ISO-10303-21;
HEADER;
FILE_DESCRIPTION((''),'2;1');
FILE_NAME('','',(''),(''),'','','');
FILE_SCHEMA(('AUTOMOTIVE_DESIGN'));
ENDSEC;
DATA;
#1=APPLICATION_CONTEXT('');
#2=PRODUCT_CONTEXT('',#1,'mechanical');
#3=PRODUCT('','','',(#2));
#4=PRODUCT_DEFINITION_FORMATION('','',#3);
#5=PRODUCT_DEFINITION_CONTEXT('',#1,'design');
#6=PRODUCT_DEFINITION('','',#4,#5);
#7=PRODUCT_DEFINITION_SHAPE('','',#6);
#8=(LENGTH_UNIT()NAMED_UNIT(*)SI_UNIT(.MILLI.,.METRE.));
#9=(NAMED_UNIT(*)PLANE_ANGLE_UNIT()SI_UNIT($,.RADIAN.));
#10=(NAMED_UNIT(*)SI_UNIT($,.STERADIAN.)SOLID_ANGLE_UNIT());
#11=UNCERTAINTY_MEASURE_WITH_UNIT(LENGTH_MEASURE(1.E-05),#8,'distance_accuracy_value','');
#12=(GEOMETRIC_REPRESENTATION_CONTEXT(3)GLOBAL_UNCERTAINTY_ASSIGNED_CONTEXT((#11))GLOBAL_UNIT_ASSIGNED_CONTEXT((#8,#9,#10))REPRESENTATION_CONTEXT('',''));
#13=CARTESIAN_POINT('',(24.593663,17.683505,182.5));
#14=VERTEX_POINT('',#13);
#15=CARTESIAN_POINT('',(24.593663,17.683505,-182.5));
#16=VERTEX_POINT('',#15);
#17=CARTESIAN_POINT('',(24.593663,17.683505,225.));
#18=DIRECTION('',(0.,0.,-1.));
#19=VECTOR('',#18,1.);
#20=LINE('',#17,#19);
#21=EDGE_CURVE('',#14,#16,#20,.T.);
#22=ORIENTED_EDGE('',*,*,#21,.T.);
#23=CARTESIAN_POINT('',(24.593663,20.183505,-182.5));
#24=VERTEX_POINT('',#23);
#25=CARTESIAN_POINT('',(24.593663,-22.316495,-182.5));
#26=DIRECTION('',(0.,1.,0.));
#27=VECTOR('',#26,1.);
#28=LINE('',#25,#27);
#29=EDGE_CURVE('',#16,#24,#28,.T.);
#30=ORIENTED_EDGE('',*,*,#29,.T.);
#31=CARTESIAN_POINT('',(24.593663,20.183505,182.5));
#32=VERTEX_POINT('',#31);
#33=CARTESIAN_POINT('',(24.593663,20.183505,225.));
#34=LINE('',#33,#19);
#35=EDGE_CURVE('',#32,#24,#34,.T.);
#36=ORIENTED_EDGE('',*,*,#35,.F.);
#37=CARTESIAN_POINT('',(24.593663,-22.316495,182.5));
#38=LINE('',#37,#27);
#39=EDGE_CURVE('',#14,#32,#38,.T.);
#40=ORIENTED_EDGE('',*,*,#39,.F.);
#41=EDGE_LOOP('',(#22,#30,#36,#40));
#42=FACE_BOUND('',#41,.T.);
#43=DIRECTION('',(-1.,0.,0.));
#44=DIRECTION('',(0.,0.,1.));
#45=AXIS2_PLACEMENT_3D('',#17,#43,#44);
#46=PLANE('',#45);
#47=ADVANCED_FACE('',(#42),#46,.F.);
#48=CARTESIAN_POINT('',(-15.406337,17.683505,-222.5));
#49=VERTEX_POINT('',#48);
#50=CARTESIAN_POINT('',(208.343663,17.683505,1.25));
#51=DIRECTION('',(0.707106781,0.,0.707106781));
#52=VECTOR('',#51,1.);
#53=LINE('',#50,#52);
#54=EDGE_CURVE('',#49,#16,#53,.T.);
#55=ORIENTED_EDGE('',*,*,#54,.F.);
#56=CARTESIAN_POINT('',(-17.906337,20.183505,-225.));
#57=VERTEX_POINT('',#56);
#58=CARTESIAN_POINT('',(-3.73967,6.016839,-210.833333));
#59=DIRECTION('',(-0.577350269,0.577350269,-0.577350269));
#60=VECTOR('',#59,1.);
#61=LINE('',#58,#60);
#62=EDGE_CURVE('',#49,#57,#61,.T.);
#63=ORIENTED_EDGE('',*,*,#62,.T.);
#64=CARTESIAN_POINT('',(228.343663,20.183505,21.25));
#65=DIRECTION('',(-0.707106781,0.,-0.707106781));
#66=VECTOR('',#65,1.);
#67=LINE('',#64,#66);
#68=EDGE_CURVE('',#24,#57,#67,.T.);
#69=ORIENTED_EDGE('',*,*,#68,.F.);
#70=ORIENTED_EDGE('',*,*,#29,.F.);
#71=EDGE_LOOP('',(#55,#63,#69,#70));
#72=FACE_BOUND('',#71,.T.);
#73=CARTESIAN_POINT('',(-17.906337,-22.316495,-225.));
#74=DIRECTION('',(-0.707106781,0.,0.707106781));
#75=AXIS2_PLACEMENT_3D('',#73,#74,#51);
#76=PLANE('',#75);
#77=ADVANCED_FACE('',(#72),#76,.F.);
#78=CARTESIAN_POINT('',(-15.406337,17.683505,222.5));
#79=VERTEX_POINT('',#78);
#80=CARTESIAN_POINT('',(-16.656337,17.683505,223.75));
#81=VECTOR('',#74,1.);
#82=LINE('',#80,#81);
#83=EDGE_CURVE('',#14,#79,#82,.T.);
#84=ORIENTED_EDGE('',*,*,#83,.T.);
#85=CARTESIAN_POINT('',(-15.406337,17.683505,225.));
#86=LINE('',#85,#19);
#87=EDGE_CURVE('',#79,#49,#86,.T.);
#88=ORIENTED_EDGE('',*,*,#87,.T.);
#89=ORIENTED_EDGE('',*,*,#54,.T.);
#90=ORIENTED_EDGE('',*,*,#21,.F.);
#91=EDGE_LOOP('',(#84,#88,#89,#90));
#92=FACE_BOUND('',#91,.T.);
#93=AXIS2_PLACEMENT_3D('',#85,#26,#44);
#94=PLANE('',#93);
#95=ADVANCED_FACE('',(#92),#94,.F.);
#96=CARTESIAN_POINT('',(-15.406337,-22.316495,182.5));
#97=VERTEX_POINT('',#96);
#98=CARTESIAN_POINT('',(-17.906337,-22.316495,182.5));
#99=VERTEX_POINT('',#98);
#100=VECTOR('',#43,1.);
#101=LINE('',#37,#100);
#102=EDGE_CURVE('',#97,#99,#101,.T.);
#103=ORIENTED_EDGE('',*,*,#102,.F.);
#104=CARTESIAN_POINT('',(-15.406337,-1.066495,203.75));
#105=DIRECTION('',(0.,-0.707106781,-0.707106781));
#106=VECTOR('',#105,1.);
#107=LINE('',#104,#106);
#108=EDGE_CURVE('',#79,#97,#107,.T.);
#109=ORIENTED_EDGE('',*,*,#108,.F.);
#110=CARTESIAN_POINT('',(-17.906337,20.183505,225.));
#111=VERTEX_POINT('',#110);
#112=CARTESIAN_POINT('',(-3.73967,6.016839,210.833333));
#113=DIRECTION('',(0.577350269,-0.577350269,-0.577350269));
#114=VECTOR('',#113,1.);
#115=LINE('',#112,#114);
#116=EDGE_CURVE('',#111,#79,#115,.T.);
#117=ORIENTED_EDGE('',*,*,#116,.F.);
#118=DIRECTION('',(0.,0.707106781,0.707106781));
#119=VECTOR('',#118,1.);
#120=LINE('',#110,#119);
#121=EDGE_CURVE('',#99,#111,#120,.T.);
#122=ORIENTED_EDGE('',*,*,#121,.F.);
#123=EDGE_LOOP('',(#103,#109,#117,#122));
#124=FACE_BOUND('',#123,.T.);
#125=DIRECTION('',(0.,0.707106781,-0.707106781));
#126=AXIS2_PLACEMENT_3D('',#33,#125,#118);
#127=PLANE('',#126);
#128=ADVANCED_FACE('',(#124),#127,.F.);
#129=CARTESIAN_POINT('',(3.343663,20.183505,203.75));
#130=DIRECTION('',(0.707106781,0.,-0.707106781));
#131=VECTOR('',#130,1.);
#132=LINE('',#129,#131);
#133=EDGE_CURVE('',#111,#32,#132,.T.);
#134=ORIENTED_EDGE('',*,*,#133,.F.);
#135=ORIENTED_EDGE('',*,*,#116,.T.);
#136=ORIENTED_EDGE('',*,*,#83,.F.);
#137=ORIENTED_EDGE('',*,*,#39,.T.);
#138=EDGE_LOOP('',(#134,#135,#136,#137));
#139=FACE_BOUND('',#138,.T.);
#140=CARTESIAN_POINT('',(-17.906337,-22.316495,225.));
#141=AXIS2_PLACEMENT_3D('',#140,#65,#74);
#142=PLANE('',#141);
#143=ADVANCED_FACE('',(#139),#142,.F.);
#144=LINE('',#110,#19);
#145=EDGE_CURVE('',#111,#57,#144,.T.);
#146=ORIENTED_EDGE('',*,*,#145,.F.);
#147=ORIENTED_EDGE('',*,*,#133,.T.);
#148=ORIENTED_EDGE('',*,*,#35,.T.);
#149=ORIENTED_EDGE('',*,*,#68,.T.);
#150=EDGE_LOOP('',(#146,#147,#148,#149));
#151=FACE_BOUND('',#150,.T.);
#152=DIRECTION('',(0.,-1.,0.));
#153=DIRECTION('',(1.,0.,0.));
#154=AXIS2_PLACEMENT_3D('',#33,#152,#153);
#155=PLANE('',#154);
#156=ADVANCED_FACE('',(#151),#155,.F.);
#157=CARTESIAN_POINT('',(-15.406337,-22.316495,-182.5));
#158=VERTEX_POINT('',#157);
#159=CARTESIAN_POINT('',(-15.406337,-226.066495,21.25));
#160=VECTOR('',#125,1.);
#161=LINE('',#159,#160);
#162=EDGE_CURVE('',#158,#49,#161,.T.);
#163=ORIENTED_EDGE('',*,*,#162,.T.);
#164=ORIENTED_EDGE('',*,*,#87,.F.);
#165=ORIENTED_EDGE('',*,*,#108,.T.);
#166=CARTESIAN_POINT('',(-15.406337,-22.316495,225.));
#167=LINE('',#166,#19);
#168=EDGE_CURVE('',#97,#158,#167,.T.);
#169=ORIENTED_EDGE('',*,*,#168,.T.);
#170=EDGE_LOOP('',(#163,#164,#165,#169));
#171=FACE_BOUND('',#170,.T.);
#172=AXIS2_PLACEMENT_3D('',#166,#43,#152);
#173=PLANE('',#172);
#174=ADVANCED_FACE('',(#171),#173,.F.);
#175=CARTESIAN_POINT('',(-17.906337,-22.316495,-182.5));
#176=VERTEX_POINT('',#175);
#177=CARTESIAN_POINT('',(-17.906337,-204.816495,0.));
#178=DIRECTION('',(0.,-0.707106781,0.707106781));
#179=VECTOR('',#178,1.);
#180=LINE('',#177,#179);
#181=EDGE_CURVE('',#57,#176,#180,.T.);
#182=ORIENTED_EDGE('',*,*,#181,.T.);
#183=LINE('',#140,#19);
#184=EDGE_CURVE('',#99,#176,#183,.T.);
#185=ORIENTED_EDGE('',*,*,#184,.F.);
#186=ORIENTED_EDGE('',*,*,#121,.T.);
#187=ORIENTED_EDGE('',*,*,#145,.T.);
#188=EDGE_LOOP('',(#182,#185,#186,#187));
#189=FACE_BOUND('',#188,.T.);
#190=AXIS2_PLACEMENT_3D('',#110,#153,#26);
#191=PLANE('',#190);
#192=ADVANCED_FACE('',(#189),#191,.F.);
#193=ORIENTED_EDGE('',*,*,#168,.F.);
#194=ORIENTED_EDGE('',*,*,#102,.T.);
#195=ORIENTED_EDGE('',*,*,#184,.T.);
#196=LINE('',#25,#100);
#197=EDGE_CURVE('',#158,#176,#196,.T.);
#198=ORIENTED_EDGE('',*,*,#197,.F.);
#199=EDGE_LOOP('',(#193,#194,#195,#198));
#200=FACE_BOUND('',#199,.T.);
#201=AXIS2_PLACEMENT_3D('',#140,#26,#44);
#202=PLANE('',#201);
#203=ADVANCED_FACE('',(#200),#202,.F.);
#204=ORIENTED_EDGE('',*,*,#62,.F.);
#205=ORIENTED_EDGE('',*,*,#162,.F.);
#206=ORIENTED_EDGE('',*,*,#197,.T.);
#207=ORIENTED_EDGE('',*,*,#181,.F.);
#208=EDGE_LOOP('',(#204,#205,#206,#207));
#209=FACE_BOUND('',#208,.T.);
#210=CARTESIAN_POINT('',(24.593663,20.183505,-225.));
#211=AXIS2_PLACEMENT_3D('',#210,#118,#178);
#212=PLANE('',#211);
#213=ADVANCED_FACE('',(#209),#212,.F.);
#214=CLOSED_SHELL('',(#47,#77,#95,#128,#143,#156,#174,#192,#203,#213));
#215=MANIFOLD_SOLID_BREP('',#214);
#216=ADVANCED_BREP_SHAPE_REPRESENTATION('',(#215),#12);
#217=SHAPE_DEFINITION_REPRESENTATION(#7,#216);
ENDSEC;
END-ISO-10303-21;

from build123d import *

# Parameters (mm, degrees)
BOSS_EXTRUDE1_DEPTH     = 225
CUT_EXTRUDE2_DEPTH      = 231.295675755
CUT_EXTRUDE2_DEPTH_BACK = 231.295675755
CUT_EXTRUDE3_DEPTH      = 231.06363453
CUT_EXTRUDE3_DEPTH_BACK = 231.06363453


with BuildPart() as part:
    # Sketch1 → Boss-Extrude1 (new, symmetric)
    with BuildSketch(Plane.XY):
        Polygon((-17.90633676, 20.183505355), (-17.90633676, -22.316494645), (-15.40633676, -22.316494645), (-15.40633676, 17.683505355), (24.59366324, 17.683505355), (24.59366324, 20.183505355), align=None)
    extrude(amount=BOSS_EXTRUDE1_DEPTH, both=True)

    # Sketch2 → Cut-Extrude2 (cut, two sides: drawn at the far end of the back side and taken through both)
    with BuildSketch(Plane(origin=(0, 20.183505355, 0), x_dir=(1, 0, 0), z_dir=(0, 1, 0)).offset(-CUT_EXTRUDE2_DEPTH_BACK)):
        Polygon((24.59366324, 182.5), (24.59366324, 225), (-17.90633676, 225), align=None)
        Polygon((24.59366324, -225), (-17.90633676, -225), (24.59366324, -182.5), align=None)
    extrude(amount=CUT_EXTRUDE2_DEPTH + CUT_EXTRUDE2_DEPTH_BACK, mode=Mode.SUBTRACT)

    # Sketch3 → Cut-Extrude3 (cut, two sides: drawn at the far end of the back side and taken through both)
    with BuildSketch(Plane.ZY.offset(17.90633676).offset(-CUT_EXTRUDE3_DEPTH_BACK)):
        Polygon((-225, 20.183505355), (-182.5, -22.316494645), (-225, -22.316494645), align=None)
        Polygon((182.5, -22.316494645), (225, -22.316494645), (225, 20.183505355), align=None)
    extrude(amount=CUT_EXTRUDE3_DEPTH + CUT_EXTRUDE3_DEPTH_BACK, mode=Mode.SUBTRACT)


solid = part.part
